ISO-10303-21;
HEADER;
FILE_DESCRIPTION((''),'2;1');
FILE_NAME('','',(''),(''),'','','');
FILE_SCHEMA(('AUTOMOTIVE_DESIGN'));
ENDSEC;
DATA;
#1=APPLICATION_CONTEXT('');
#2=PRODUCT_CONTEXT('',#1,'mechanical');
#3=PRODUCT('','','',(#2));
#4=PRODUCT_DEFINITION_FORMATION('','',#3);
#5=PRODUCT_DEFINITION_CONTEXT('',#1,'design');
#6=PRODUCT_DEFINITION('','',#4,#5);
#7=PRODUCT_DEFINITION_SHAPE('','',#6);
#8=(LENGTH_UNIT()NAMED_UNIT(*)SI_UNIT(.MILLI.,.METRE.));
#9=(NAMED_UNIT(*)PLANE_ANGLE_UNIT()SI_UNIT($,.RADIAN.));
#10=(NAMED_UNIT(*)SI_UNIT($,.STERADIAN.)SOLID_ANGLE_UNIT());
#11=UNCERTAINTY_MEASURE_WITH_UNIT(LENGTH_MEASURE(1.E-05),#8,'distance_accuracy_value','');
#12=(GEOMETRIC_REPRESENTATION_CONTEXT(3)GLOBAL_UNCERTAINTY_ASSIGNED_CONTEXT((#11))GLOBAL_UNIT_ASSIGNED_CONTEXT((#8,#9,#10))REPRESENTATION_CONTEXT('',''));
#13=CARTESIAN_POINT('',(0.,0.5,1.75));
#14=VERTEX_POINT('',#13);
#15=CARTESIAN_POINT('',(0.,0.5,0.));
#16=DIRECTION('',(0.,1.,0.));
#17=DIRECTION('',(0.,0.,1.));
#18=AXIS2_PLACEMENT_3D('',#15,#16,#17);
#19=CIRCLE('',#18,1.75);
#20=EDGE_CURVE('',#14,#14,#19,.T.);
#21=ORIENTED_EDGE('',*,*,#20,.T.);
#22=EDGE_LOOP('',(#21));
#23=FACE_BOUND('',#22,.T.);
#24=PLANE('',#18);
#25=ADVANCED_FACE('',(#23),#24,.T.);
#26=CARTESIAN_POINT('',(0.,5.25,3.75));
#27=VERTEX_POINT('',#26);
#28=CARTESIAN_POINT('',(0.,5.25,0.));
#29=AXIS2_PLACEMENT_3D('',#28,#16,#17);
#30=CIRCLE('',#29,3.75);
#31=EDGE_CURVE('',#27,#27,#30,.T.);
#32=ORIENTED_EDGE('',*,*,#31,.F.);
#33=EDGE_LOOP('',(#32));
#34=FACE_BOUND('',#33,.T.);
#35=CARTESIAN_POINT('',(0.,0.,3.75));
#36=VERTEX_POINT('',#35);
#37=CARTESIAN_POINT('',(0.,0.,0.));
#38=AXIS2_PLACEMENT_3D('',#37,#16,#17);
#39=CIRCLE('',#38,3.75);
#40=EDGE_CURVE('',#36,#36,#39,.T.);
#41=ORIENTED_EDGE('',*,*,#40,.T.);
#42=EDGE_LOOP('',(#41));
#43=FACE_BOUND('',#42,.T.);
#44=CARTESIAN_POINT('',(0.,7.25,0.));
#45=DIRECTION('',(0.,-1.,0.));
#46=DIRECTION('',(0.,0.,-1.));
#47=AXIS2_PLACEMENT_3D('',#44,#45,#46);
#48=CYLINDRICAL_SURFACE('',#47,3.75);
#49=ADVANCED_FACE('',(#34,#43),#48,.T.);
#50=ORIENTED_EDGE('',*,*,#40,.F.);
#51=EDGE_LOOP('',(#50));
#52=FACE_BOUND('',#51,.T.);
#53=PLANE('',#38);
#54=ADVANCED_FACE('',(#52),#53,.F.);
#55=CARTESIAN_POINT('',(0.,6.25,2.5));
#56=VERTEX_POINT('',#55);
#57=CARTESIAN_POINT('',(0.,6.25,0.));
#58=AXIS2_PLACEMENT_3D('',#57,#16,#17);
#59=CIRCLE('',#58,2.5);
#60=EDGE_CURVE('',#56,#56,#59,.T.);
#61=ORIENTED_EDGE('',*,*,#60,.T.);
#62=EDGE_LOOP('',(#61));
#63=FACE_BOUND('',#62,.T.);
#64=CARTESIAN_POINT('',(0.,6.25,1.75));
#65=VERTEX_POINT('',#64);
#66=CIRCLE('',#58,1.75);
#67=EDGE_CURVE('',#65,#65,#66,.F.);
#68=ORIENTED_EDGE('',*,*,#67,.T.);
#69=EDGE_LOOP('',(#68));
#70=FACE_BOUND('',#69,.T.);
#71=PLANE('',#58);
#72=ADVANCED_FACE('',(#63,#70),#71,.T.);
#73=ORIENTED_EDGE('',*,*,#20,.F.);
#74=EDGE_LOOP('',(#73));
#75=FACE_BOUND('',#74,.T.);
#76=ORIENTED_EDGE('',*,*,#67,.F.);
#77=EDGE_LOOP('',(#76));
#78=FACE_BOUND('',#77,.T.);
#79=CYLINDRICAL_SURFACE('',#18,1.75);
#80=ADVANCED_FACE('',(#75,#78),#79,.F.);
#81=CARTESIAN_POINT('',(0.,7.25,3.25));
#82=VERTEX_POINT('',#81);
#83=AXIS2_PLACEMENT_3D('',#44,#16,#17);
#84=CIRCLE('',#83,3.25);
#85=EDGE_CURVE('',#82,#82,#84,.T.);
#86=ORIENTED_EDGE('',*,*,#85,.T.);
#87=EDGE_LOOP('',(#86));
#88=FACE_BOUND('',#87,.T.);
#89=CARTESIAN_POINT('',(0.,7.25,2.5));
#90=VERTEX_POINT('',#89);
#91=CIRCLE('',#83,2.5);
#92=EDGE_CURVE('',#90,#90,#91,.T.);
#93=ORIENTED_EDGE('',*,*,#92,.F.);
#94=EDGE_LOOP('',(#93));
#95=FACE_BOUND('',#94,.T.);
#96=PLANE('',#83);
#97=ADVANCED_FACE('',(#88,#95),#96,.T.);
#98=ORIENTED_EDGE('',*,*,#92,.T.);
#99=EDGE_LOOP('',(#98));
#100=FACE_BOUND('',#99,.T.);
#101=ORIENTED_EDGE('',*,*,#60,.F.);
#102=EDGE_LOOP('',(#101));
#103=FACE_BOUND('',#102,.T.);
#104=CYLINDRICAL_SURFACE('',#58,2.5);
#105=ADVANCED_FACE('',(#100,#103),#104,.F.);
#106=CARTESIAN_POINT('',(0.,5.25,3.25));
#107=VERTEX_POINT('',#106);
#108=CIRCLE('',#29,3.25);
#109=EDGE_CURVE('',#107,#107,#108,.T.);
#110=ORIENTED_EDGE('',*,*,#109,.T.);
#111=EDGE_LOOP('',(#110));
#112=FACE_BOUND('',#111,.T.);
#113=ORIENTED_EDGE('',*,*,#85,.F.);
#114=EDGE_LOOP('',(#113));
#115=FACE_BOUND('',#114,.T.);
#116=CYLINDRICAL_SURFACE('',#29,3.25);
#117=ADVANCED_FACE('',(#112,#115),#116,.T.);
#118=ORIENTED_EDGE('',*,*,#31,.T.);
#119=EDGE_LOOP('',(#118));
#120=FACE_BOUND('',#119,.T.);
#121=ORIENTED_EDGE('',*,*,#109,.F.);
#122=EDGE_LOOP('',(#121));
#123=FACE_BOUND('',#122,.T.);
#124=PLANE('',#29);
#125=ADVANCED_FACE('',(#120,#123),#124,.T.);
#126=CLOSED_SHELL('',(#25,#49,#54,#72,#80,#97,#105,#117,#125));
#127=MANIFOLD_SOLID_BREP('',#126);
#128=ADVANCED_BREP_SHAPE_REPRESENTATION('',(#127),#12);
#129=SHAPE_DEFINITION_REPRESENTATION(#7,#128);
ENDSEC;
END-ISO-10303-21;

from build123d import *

# Parameters (mm, degrees)
SKETCH1_R           = 3.75
BOSS_EXTRUDE1_DEPTH = 7.25
SKETCH3_R           = 3.75
SKETCH3_R_2         = 3.25
CUT_EXTRUDE1_DEPTH  = 2
SKETCH4_R           = 1.75
CUT_EXTRUDE2_DEPTH  = 6.75
SKETCH5_R           = 2.5
CUT_EXTRUDE3_DEPTH  = 1


with BuildPart() as part:
    # Sketch1 → Boss-Extrude1 (new body)
    with BuildSketch(Plane(origin=(0, 0, 0), x_dir=(1, 0, 0), z_dir=(0, 1, 0))):
        Circle(SKETCH1_R)
    extrude(amount=BOSS_EXTRUDE1_DEPTH)

    # Sketch3 → Cut-Extrude1 (cut)
    with BuildSketch(Plane(origin=(0, 7.25, 0), x_dir=(1, 0, 0), z_dir=(0, 1, 0))):
        Circle(SKETCH3_R)
        Circle(SKETCH3_R_2, mode=Mode.SUBTRACT)
    extrude(amount=-CUT_EXTRUDE1_DEPTH, mode=Mode.SUBTRACT)

    # Sketch4 → Cut-Extrude2 (cut)
    with BuildSketch(Plane(origin=(0, 7.25, 0), x_dir=(1, 0, 0), z_dir=(0, 1, 0))):
        Circle(SKETCH4_R)
    extrude(amount=-CUT_EXTRUDE2_DEPTH, mode=Mode.SUBTRACT)

    # Sketch5 → Cut-Extrude3 (cut)
    with BuildSketch(Plane(origin=(0, 7.25, 0), x_dir=(1, 0, 0), z_dir=(0, 1, 0))):
        Circle(SKETCH5_R)
    extrude(amount=-CUT_EXTRUDE3_DEPTH, mode=Mode.SUBTRACT)


solid = part.part
